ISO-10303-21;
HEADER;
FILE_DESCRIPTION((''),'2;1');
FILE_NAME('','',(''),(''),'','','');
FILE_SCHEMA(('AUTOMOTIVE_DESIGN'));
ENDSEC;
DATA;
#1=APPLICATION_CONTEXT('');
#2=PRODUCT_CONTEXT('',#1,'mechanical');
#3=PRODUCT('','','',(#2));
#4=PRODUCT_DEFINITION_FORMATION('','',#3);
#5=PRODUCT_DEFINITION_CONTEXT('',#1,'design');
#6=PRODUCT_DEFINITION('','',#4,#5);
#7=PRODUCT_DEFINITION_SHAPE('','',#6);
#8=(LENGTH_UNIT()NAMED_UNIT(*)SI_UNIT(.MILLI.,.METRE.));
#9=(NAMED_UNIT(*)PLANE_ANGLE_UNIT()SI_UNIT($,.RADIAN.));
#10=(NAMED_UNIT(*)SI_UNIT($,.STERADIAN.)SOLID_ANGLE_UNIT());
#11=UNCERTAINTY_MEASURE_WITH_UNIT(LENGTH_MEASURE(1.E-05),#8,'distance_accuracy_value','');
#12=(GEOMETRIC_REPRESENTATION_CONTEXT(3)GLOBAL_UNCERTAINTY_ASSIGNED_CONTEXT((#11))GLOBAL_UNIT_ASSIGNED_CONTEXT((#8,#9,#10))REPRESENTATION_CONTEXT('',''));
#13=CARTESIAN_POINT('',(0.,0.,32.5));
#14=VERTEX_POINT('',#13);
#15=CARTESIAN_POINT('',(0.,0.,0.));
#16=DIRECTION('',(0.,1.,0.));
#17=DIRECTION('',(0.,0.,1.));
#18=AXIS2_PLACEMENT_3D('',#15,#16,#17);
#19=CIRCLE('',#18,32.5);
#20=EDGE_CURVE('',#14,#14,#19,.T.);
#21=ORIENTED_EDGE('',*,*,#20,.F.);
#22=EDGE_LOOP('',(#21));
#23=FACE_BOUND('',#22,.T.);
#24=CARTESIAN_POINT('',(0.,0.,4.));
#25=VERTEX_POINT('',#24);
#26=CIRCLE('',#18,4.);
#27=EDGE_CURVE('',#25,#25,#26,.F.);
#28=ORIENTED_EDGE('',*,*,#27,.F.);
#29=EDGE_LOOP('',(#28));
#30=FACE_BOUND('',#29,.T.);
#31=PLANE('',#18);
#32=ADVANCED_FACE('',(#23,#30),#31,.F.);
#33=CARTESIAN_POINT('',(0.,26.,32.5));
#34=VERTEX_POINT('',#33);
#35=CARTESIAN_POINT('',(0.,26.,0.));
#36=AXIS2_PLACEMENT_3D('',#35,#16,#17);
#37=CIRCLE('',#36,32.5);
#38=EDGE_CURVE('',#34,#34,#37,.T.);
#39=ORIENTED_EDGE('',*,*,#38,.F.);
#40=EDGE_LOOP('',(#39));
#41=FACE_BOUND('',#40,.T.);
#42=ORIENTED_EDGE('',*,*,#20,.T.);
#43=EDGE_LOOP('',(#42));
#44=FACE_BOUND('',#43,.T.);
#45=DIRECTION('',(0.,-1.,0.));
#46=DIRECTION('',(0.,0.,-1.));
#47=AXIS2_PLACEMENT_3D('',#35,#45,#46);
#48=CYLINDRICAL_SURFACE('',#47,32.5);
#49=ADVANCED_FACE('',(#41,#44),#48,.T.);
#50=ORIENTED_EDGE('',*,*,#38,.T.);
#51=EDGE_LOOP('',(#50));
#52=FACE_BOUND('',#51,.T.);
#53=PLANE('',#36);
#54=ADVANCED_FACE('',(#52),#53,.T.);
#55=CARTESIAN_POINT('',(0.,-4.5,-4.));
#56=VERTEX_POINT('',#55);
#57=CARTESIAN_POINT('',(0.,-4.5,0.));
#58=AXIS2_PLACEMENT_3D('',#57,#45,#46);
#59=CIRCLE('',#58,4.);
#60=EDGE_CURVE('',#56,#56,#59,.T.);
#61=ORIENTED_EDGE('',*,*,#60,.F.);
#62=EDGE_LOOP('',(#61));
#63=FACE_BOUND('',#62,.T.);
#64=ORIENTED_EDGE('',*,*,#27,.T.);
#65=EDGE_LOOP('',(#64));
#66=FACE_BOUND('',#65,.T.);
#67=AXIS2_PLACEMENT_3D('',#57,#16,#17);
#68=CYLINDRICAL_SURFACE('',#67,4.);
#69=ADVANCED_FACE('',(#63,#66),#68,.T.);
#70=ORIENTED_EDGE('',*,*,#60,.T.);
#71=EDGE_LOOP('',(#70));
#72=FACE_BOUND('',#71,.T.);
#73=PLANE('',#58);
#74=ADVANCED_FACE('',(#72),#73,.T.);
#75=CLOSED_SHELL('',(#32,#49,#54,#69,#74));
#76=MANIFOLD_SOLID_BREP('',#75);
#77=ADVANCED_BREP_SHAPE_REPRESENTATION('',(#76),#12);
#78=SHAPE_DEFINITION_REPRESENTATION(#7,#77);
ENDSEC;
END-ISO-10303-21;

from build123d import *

# Parameters (mm, degrees)
SKETCH2_R           = 32.5
BOSS_EXTRUDE1_DEPTH = 26
SKETCH3_R           = 4
BOSS_EXTRUDE2_DEPTH = 4.5


with BuildPart() as part:
    # Sketch2 → Boss-Extrude1 (new body)
    with BuildSketch(Plane(origin=(0, 0, 0), x_dir=(1, 0, 0), z_dir=(0, 1, 0))):
        Circle(SKETCH2_R)
    extrude(amount=BOSS_EXTRUDE1_DEPTH)

    # Sketch3 → Boss-Extrude2 (add)
    with BuildSketch(Plane.XZ):
        Circle(SKETCH3_R)
    extrude(amount=BOSS_EXTRUDE2_DEPTH)


solid = part.part
